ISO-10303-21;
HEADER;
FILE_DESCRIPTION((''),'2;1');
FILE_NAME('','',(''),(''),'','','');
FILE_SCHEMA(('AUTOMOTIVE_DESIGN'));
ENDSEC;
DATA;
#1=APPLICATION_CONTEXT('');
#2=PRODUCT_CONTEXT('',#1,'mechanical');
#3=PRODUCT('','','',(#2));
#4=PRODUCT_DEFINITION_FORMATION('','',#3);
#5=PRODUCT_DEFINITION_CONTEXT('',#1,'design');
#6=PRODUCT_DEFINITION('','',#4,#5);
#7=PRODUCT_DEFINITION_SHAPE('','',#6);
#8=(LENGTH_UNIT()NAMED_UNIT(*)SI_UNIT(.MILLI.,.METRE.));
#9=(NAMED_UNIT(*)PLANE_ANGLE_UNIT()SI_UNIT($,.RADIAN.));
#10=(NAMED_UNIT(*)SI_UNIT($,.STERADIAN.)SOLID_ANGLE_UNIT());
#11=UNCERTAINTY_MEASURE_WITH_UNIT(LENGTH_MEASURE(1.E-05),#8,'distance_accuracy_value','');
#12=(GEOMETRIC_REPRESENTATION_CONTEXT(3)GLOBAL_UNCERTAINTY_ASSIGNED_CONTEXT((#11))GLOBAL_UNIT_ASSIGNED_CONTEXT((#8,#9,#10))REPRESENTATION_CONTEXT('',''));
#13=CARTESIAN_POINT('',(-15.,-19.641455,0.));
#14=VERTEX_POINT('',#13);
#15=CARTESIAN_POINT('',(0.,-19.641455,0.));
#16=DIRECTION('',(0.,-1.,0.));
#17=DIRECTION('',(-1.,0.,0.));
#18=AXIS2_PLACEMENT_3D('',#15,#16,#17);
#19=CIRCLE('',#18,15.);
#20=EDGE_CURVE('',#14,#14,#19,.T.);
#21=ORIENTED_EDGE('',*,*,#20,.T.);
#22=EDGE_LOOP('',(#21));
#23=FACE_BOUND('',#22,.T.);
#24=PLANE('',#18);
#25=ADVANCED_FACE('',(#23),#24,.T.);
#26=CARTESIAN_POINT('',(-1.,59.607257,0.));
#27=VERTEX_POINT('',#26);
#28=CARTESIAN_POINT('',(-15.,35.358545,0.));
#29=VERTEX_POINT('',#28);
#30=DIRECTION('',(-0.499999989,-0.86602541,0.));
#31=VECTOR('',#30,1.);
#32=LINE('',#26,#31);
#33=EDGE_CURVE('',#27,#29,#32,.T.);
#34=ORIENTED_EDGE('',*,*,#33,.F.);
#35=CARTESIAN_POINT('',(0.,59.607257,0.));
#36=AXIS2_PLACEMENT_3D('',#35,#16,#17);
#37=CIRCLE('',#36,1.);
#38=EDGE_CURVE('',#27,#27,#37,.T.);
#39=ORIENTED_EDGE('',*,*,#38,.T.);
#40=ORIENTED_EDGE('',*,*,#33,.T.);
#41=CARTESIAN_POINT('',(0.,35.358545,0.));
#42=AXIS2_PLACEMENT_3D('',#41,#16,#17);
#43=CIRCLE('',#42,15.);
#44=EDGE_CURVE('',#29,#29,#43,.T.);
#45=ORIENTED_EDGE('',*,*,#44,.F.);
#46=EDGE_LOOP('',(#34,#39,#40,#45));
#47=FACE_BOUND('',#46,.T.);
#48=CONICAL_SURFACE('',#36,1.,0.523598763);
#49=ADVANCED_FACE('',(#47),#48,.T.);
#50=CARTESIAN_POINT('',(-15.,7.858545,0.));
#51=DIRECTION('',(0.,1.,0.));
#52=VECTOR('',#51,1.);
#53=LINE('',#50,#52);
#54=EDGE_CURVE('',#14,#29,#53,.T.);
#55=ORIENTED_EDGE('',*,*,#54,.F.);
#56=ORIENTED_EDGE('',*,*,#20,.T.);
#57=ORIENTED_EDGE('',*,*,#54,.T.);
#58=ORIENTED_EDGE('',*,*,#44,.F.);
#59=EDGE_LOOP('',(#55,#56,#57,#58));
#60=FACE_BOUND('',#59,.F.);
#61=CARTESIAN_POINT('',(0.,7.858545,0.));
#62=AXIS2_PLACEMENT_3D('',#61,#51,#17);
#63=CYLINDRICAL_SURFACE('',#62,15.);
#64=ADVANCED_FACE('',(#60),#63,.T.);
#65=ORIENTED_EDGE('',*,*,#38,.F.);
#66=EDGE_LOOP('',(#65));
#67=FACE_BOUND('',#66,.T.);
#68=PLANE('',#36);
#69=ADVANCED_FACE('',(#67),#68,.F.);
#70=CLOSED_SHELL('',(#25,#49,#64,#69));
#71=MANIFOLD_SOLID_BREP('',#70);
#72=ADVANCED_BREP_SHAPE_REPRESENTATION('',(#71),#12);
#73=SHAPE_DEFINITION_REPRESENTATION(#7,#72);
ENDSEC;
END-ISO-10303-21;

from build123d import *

# Parameters (mm, degrees)
F0_W = 15
F0_H = 55


with BuildPart() as f1:
    # F0 (on Top) → F1 (revolve)
    with BuildSketch(Plane.XY):
        Polygon((-1, 59.607257), (-15, 35.358545), (0, 35.358545), (0, 59.607257), align=None)
        with Locations((-7.5, 7.858545)):
            Rectangle(F0_W, F0_H)
    revolve(axis=Axis((0, 19.982901, 0), (0, -1, 0)))


solid = f1.part
